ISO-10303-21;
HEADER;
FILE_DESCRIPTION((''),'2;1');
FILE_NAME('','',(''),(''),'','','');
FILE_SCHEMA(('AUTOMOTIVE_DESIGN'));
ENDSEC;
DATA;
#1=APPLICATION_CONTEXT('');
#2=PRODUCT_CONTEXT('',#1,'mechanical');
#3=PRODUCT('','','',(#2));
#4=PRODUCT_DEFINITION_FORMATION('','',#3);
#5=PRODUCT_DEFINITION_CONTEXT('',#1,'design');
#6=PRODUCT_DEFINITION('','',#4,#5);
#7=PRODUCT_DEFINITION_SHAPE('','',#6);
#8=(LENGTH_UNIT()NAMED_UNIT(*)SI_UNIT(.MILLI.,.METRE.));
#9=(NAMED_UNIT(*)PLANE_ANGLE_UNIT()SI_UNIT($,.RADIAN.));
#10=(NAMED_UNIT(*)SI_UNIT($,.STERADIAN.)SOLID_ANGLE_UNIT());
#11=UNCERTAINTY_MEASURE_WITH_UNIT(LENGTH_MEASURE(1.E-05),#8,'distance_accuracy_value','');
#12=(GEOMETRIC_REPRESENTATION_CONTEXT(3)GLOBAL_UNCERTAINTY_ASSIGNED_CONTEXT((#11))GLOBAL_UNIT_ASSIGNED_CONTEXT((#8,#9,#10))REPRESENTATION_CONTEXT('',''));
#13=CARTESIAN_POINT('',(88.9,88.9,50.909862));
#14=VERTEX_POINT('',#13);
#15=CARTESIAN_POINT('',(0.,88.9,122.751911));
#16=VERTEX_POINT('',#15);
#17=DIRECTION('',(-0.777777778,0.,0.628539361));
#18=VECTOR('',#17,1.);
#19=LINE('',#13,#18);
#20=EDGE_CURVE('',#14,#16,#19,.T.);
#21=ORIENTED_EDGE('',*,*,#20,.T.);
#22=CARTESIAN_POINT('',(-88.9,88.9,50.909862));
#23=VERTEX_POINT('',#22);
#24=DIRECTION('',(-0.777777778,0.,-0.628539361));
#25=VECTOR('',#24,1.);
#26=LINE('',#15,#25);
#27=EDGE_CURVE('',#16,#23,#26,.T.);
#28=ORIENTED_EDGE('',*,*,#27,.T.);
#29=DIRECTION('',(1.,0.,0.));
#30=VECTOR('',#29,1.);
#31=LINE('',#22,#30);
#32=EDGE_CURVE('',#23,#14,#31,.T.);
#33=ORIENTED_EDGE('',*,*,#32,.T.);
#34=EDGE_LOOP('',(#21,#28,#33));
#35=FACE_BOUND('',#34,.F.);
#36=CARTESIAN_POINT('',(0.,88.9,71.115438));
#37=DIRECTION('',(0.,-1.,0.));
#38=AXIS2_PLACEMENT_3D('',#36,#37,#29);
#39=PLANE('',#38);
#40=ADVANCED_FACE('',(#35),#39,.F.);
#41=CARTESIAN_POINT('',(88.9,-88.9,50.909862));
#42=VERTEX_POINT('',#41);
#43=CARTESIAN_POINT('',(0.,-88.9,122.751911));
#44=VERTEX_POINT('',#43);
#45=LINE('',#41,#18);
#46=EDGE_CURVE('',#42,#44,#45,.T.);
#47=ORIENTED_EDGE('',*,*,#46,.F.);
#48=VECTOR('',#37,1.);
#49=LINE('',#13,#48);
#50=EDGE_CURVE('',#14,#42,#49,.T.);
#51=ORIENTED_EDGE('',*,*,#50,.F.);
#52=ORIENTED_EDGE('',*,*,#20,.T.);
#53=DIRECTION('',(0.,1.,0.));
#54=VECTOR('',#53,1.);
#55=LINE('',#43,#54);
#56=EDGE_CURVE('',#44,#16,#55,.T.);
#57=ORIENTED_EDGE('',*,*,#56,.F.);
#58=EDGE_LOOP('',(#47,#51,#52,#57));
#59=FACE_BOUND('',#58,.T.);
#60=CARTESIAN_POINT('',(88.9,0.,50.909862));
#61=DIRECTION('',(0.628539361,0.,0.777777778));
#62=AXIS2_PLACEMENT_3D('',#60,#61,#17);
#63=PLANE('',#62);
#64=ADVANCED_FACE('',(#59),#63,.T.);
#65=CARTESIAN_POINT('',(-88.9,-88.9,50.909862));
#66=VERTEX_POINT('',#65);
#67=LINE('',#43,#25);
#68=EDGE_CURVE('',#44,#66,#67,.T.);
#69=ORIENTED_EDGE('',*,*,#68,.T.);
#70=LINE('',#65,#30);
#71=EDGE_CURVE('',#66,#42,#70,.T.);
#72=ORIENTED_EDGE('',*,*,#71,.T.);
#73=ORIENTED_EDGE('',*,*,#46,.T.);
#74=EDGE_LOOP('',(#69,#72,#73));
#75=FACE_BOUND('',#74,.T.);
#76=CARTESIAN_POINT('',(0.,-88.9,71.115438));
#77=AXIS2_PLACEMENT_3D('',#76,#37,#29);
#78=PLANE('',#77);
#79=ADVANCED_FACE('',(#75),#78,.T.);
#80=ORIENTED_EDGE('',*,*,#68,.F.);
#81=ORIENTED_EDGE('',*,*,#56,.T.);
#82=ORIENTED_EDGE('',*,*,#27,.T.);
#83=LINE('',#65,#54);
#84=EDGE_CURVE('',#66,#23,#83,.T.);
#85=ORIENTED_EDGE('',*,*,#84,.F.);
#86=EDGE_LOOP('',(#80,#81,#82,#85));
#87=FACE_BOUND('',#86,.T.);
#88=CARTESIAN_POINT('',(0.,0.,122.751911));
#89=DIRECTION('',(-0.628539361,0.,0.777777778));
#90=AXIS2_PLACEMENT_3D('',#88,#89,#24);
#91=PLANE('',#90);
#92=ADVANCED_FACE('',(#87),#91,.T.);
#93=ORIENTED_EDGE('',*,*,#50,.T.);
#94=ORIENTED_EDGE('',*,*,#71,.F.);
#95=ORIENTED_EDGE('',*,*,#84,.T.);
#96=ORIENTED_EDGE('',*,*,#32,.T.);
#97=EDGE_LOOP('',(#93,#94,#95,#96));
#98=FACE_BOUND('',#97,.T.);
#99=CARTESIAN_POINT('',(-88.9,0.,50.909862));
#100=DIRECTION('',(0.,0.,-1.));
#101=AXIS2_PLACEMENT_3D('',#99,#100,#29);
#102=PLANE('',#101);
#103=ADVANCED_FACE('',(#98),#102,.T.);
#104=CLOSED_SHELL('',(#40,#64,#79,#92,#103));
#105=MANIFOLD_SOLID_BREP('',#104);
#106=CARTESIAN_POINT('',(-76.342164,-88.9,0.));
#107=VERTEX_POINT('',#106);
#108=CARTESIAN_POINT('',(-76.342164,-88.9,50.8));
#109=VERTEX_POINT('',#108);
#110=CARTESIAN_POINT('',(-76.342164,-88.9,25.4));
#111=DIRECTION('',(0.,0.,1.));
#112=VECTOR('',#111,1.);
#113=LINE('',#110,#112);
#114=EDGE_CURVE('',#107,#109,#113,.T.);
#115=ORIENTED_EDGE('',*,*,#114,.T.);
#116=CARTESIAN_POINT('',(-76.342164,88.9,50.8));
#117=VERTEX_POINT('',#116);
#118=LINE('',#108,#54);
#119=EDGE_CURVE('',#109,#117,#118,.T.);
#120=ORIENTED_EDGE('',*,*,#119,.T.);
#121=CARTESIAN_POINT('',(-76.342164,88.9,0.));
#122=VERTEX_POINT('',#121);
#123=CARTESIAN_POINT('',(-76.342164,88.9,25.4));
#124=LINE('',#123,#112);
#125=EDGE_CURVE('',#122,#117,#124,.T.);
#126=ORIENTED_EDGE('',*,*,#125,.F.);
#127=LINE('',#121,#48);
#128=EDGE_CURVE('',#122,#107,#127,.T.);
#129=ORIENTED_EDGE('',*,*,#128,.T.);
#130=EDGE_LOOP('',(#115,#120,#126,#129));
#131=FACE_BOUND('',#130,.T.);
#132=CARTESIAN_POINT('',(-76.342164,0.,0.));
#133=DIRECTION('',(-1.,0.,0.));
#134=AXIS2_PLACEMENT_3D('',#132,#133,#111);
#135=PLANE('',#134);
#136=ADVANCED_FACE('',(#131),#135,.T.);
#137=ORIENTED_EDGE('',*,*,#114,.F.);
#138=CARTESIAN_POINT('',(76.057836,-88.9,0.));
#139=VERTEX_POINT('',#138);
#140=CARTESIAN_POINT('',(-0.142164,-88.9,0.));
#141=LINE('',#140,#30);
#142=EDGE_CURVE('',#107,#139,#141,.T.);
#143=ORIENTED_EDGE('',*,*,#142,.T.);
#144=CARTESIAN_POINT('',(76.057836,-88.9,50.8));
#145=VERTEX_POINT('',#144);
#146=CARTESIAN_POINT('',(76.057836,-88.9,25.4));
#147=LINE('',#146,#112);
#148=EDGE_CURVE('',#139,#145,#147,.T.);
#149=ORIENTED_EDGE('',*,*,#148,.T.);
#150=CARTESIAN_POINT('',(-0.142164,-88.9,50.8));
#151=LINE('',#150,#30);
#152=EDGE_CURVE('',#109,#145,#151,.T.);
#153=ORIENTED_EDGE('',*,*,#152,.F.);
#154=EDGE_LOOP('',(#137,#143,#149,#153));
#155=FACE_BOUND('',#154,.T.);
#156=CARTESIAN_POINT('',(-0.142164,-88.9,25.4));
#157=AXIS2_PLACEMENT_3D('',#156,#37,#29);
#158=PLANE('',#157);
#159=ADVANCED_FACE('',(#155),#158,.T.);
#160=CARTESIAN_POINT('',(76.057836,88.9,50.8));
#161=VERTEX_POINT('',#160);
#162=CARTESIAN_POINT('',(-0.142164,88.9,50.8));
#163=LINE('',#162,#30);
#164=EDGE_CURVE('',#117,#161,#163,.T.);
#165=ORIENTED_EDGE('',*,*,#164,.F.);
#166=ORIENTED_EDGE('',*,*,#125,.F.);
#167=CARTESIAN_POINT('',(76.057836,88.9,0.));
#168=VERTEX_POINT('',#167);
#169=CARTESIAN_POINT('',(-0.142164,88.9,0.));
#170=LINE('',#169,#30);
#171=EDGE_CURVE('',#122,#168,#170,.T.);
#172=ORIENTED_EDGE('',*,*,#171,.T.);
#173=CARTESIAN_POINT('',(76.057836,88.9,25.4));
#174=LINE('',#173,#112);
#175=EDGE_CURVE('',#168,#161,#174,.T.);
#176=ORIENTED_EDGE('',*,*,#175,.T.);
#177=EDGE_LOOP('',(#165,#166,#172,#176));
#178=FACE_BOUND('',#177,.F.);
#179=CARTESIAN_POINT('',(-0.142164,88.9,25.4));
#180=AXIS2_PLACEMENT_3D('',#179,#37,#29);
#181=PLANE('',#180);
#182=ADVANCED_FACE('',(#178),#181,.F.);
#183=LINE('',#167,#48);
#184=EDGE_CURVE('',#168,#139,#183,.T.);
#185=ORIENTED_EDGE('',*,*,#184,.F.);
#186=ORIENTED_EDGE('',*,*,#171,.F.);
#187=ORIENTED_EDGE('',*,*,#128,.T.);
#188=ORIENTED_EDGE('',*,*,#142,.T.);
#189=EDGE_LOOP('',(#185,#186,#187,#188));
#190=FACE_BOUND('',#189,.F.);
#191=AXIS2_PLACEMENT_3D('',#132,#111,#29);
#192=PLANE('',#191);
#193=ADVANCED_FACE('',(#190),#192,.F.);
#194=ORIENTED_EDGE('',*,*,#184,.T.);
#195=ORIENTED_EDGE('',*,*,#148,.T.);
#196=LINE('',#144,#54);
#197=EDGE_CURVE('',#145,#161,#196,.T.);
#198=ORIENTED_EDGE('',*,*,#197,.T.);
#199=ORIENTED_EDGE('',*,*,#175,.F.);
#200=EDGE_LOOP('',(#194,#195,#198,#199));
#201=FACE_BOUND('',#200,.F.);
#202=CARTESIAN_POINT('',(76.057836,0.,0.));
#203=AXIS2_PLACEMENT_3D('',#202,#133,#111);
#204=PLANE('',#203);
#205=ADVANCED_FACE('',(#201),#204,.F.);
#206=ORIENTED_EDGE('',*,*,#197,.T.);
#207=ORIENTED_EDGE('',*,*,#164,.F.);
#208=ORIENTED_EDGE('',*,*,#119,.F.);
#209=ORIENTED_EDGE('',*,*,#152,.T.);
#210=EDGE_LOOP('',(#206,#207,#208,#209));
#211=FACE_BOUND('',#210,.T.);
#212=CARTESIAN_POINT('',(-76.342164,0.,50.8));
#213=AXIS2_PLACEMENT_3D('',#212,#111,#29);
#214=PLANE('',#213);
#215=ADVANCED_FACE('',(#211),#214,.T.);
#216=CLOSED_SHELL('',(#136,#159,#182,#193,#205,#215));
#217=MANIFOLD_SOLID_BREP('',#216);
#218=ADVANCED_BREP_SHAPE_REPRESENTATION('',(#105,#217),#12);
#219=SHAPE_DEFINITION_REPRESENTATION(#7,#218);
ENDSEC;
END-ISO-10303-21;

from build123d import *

# Parameters (mm, degrees)
F0_W     = 152.4
F0_H     = 50.8
F1_DEPTH = 76.2
F2_DEPTH = 88.9


with BuildPart() as f1:
    # F0 (on Front) → F1 (new body, symmetric)
    with BuildSketch(Plane.XZ):
        with Locations((-0.142164, 25.4)):
            Rectangle(F0_W, F0_H)
    extrude(amount=F1_DEPTH, both=True)

    # F0 (on Front) → F2 (join, symmetric)
    with BuildSketch(Plane.XZ):
        with Locations((-0.142164, 25.4)):
            Rectangle(F0_W, F0_H)
        Polygon((-88.9, 50.909862), (88.9, 50.909862), (0, 122.751911), align=None)
    extrude(amount=F2_DEPTH, both=True)


solid = f1.part
